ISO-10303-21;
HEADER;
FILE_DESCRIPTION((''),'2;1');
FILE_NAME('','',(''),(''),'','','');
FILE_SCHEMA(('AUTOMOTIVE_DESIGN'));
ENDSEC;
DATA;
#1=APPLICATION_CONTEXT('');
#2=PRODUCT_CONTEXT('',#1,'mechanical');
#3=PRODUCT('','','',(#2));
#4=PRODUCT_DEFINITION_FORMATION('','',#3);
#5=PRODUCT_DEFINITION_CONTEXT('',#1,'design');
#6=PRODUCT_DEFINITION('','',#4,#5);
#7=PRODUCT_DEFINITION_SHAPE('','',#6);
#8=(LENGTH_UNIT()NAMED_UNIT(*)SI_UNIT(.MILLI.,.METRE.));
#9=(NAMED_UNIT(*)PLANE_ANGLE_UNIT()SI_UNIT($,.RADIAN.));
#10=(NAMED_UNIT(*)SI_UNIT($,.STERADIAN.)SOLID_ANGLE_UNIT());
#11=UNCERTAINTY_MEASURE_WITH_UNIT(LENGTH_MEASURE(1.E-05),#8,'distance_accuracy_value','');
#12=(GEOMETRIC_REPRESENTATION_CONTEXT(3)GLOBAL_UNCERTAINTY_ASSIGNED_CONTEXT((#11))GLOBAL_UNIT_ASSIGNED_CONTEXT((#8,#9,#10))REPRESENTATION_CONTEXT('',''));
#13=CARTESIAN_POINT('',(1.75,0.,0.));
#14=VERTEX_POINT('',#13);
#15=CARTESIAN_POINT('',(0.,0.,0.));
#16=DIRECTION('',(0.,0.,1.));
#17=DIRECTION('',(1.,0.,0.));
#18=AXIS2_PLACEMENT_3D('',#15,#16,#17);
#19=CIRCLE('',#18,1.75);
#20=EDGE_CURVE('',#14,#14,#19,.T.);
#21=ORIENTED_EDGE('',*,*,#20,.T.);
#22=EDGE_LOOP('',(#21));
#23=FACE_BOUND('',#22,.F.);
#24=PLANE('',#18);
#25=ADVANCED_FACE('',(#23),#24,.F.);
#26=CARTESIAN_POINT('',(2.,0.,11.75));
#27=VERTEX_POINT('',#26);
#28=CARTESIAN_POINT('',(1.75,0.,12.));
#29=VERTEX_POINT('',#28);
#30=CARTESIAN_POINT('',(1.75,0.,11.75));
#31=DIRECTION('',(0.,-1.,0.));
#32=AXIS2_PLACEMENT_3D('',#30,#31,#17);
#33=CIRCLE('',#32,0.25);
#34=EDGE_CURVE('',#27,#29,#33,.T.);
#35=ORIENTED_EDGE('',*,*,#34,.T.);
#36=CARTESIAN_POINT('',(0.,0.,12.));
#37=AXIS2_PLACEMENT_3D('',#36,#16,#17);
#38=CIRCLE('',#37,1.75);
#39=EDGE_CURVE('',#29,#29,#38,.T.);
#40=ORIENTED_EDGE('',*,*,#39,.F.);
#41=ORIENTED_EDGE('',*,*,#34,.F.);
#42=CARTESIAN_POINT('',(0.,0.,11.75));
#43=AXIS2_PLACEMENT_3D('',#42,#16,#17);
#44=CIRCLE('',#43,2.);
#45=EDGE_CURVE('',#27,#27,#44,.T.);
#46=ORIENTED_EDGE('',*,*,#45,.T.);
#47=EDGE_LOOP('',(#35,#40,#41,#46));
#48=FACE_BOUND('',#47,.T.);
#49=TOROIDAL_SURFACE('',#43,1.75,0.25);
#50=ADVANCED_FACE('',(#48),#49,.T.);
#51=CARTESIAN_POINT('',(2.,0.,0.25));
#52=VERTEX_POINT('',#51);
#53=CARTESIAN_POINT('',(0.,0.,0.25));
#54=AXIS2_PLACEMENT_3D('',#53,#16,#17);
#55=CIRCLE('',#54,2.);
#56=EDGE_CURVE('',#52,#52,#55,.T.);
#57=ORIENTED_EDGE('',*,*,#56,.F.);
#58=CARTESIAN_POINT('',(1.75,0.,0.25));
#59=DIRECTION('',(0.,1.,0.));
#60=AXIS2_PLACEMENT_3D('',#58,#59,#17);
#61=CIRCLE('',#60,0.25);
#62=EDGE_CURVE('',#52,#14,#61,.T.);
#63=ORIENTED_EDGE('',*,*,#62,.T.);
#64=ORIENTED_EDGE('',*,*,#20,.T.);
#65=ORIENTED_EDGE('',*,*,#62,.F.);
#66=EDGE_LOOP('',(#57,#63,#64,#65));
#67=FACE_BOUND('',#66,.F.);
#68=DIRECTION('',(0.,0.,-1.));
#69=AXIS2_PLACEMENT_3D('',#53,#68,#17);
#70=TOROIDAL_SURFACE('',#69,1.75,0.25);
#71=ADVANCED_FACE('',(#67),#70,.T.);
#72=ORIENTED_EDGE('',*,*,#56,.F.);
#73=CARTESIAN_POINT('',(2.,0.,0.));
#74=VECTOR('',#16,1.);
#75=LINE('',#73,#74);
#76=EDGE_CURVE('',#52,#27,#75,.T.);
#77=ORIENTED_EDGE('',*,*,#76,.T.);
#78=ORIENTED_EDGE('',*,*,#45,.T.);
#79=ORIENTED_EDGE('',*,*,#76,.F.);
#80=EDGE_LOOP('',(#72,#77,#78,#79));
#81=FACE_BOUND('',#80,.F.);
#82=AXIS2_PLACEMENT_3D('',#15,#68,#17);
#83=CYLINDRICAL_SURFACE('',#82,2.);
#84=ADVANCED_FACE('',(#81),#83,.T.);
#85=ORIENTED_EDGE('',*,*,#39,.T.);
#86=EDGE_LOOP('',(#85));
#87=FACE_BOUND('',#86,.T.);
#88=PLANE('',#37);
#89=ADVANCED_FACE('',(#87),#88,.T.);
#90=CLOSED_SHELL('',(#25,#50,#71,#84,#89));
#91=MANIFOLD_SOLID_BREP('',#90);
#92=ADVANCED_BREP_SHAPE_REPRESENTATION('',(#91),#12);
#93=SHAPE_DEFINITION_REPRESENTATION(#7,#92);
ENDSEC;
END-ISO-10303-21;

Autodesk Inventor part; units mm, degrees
ref_plane "YZ Plane" through (0, 0, 0) normal (1, 0, 0) x (0, 1, 0)
ref_plane "XZ Plane" through (0, 0, 0) normal (0, 1, 0) x (-1, 0, 0)
ref_plane "XY Plane" through (0, 0, 0) normal (0, 0, 1) x (1, 0, 0)
sketch "Sketch1" plane through (0, 0, 0) normal (0, 0, 1) x (1, 0, 0)
  circle A0 centre (0, 0) radius 2
  dimension "d0" = 4
extrude "Extrusion1" add sketch "Sketch1" along normal blind 12
fillet "Fillet1" radius 0.25 2 edges at (-2, 0, 12) (-2, 0, 0)
properties part number "43A"
